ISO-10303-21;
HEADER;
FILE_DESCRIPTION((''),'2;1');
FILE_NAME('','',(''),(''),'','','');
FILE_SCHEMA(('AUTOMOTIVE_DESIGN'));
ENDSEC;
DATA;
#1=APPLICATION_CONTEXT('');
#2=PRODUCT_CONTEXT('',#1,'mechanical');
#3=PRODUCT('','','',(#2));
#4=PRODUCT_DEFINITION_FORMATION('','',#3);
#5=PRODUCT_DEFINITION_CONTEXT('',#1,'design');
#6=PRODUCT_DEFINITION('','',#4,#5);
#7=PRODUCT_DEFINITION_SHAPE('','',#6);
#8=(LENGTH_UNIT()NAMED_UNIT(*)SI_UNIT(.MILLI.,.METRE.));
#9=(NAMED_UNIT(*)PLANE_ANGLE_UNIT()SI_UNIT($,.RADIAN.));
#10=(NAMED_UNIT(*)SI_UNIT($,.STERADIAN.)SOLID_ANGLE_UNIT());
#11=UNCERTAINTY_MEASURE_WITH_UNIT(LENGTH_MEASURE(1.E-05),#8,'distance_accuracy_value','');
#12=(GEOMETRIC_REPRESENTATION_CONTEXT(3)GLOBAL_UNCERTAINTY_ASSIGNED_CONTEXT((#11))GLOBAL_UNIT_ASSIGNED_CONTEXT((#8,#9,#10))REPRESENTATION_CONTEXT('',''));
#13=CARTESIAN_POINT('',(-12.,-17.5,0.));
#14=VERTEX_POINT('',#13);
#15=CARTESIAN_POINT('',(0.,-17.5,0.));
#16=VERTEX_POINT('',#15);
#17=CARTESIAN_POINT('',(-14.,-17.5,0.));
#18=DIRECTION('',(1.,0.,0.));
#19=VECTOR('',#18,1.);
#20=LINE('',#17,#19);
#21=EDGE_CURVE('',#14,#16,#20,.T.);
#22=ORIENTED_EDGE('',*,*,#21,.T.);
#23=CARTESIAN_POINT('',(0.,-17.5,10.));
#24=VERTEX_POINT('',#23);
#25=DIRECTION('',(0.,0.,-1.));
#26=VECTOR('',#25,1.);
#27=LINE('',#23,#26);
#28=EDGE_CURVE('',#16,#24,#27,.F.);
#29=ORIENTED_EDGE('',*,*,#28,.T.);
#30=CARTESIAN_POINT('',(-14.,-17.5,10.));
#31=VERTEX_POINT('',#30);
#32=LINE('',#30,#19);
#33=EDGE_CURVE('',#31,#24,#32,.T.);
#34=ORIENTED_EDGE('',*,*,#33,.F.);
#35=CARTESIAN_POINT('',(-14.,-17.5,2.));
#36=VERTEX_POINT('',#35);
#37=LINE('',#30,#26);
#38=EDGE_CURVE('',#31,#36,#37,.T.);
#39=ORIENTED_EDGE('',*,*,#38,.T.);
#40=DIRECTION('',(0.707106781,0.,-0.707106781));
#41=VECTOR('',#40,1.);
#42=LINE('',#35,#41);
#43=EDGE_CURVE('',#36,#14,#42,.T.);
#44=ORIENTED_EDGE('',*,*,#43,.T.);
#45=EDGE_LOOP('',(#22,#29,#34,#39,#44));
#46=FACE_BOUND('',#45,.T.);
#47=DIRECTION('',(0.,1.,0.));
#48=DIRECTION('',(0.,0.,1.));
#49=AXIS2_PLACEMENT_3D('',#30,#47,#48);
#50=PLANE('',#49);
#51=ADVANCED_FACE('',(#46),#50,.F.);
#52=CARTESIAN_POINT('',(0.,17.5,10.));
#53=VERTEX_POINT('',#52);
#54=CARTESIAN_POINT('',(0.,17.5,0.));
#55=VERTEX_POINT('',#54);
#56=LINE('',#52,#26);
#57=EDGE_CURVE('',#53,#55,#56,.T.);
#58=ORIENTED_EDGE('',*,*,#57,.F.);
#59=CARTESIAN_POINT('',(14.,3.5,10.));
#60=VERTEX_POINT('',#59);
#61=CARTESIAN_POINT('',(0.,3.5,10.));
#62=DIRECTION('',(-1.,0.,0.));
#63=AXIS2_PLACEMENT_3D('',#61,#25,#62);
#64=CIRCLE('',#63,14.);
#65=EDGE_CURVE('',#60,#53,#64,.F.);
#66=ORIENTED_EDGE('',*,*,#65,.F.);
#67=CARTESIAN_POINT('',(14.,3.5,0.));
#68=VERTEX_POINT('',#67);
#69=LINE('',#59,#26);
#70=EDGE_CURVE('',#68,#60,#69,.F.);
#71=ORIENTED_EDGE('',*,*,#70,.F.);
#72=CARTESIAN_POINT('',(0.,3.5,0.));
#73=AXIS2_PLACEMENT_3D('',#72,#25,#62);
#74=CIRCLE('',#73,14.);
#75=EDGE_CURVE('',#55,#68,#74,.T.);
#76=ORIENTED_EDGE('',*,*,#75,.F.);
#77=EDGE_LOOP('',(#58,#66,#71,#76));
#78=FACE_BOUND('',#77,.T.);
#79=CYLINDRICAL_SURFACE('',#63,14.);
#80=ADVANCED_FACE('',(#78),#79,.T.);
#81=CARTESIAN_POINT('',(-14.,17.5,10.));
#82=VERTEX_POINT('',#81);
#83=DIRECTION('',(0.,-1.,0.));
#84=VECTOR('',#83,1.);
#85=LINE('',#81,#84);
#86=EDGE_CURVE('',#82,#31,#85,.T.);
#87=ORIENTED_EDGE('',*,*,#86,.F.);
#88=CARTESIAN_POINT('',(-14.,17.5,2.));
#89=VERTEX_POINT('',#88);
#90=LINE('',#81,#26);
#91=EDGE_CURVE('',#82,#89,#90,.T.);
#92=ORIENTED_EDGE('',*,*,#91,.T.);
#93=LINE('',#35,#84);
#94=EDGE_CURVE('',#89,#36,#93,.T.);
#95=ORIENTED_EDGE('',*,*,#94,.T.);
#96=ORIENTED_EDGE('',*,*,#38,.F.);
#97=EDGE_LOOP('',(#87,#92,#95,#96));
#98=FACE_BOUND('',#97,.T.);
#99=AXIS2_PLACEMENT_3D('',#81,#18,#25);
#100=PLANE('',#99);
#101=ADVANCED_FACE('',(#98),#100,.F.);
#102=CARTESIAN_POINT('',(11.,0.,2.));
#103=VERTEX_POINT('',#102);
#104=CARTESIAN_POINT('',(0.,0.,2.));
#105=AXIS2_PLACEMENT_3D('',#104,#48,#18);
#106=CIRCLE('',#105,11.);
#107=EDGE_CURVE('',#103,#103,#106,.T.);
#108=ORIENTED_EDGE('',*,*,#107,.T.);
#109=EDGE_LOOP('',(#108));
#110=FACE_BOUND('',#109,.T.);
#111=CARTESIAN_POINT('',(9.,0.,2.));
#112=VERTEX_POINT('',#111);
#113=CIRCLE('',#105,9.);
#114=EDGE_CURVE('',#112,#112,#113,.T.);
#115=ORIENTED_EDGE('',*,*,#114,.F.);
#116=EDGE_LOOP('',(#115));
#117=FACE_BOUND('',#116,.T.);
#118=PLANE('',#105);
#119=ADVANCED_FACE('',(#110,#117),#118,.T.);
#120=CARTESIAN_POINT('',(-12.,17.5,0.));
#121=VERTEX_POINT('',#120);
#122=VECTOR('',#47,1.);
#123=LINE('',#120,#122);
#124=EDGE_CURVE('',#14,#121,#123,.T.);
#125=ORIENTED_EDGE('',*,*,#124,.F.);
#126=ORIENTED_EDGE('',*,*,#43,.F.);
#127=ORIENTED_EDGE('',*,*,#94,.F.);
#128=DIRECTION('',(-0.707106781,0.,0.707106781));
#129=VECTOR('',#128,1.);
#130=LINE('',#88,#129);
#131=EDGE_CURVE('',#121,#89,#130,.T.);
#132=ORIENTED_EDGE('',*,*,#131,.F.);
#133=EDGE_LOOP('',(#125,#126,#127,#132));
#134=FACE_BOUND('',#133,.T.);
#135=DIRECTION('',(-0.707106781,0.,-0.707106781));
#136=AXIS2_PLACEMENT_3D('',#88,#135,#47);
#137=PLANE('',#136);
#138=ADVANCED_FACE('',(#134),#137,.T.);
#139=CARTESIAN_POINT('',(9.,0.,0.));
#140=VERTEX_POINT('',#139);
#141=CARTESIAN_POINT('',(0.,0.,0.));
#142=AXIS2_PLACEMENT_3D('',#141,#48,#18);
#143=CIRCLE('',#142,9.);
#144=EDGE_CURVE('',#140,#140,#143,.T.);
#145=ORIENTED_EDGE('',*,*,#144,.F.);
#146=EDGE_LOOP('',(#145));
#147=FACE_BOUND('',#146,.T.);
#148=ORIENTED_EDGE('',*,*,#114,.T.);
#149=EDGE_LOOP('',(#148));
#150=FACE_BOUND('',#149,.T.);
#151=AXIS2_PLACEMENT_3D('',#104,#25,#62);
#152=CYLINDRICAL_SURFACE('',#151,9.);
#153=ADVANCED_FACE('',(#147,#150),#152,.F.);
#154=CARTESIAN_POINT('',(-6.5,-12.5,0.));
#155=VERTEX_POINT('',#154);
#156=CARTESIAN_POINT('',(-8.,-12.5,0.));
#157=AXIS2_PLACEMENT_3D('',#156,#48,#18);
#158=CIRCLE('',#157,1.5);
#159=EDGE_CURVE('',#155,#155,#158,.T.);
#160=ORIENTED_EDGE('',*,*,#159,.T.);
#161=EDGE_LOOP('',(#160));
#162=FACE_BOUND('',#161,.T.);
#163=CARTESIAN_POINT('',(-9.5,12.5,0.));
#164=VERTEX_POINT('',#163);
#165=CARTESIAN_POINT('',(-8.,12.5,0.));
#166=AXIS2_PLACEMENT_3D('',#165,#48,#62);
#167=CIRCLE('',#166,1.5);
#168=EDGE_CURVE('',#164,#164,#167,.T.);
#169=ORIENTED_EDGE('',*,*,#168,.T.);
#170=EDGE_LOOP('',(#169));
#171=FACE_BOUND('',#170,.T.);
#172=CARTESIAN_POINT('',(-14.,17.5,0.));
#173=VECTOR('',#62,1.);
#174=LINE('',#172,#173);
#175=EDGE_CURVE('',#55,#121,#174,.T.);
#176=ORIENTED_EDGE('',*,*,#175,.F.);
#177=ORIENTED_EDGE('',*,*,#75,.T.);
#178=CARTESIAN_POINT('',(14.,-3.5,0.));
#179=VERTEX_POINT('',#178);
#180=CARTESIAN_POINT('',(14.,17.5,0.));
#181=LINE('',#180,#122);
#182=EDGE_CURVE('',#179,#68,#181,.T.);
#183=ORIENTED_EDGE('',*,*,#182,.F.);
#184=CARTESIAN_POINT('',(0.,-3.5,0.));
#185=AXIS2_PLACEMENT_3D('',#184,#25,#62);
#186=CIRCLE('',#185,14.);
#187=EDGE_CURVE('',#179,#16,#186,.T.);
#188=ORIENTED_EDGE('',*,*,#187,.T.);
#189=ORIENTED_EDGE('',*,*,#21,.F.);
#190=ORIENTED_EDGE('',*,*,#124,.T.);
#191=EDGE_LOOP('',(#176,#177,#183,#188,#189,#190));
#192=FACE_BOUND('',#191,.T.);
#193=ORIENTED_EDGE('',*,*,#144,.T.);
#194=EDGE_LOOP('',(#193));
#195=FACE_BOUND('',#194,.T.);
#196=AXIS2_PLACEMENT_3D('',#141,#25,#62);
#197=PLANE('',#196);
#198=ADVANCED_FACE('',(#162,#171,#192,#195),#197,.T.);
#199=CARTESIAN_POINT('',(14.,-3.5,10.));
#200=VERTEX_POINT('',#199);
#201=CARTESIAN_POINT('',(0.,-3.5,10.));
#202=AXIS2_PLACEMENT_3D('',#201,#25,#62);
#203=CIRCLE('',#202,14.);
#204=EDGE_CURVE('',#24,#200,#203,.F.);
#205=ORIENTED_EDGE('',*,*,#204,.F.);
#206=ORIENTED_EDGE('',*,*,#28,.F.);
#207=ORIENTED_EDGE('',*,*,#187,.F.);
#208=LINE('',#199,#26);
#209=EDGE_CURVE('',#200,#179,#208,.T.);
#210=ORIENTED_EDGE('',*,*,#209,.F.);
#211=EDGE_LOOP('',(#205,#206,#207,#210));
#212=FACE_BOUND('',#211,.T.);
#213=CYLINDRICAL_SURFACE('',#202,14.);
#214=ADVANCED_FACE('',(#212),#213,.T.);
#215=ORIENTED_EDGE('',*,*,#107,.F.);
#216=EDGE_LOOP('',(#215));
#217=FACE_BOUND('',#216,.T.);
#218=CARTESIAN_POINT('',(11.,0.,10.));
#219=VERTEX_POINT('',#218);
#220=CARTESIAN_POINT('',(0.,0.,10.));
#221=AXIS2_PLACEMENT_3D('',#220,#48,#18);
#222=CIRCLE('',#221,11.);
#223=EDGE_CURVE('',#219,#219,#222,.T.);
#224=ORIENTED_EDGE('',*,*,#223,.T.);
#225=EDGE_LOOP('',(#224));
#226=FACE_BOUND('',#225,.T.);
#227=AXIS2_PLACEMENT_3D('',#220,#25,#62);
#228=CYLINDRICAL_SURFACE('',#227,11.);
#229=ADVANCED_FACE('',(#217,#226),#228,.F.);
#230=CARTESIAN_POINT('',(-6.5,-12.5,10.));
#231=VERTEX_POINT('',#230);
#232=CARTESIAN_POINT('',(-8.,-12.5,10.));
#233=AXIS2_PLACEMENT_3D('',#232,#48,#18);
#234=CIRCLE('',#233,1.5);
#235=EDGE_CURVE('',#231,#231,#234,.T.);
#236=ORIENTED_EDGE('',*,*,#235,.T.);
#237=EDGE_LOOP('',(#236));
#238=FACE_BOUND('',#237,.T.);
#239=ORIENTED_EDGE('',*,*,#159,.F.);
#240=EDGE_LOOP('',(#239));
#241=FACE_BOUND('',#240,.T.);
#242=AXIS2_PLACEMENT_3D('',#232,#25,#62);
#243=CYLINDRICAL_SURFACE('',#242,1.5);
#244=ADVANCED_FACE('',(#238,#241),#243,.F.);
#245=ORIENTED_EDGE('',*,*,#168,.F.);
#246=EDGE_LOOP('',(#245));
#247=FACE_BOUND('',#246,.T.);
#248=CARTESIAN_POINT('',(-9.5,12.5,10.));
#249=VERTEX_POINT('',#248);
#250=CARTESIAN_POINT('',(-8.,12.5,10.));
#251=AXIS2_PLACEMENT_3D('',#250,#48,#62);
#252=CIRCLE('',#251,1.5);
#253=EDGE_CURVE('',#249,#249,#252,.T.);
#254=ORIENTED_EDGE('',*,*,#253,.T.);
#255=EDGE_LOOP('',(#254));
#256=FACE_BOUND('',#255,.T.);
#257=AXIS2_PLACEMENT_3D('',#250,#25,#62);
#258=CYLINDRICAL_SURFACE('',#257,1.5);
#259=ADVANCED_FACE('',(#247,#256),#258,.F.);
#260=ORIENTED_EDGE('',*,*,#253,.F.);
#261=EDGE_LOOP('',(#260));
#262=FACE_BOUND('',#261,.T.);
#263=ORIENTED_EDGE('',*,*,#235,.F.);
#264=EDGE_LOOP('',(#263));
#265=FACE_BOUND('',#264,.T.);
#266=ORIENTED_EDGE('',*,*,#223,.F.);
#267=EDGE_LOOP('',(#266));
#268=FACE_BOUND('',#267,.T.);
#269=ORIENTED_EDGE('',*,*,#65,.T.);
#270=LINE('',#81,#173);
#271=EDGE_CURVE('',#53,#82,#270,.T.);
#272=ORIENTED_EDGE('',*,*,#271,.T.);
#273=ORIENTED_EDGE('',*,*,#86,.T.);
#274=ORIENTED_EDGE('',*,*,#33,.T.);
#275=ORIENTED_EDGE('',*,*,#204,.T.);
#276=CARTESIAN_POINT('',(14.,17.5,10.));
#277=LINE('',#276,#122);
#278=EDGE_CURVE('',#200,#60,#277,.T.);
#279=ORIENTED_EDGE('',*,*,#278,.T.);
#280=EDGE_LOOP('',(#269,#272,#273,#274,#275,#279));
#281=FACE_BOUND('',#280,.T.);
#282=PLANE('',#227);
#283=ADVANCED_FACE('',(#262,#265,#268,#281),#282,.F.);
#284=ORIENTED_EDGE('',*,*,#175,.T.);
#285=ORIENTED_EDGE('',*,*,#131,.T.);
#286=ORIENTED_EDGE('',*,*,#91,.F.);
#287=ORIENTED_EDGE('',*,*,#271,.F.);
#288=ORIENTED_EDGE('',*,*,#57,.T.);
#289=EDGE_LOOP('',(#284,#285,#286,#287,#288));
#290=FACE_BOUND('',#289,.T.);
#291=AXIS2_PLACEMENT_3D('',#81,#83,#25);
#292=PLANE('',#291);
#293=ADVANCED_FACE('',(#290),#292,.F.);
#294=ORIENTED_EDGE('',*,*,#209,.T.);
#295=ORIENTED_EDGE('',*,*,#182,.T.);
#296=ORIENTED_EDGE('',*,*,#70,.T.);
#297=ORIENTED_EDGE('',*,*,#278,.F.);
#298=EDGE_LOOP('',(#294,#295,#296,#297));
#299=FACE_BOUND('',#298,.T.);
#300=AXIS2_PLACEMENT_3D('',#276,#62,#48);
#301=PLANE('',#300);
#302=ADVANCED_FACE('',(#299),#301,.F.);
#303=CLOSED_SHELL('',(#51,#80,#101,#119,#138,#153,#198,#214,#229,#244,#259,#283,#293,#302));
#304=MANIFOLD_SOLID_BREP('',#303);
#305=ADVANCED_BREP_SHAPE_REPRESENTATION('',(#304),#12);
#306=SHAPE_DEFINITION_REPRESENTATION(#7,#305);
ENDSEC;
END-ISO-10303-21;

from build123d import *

# Parameters (mm, degrees)
CROQUIS1_W              = 35
CROQUIS1_H              = 28
CROQUIS1_R              = 11
CROQUIS1_R_2            = 1.5
SALIENTE_EXTRUIR1_DEPTH = 10
CROQUIS2_R              = 11
CROQUIS2_R_2            = 9
SALIENTE_EXTRUIR2_DEPTH = 2
REDONDEO1_R             = 14
CHAFL_N1_SIZE           = 2


with BuildPart() as part:
    # Croquis1 → Saliente-Extruir1 (new body)
    with BuildSketch(Plane(origin=(0, 0, 0), x_dir=(0, 1, 0), z_dir=(0, 0, 1))):
        Rectangle(CROQUIS1_W, CROQUIS1_H)
        with Locations(Location((0, 0, 0), (0, 0, 270))):
            Circle(CROQUIS1_R, mode=Mode.SUBTRACT)
        with Locations(Location((-12.5, 8, 0), (0, 0, 270))):
            Circle(CROQUIS1_R_2, mode=Mode.SUBTRACT)
        with Locations(Location((12.5, 8, 0), (0, 0, 90))):
            Circle(CROQUIS1_R_2, mode=Mode.SUBTRACT)
    extrude(amount=SALIENTE_EXTRUIR1_DEPTH)

    # Croquis2 → Saliente-Extruir2 (add)
    with BuildSketch(Plane(origin=(0, 0, 0), x_dir=(0, 1, 0), z_dir=(0, 0, 1))):
        with Locations(Location((0, 0, 0), (0, 0, 270))):
            Circle(CROQUIS2_R)
        with Locations(Location((0, 0, 0), (0, 0, 270))):
            Circle(CROQUIS2_R_2, mode=Mode.SUBTRACT)
    extrude(amount=SALIENTE_EXTRUIR2_DEPTH)

    # Redondeo1
    redondeo1_edges = [part.edges().sort_by_distance(p)[0] for p in [
        (14, 17.5, 5),
        (14, -17.5, 5),
    ]]
    fillet(redondeo1_edges, radius=REDONDEO1_R)

    # Chaflán1
    chafl_n1_edges = [part.edges().sort_by_distance(p)[0] for p in [
        (-14, 0, 0),
    ]]
    chamfer(chafl_n1_edges, length=CHAFL_N1_SIZE)


solid = part.part
